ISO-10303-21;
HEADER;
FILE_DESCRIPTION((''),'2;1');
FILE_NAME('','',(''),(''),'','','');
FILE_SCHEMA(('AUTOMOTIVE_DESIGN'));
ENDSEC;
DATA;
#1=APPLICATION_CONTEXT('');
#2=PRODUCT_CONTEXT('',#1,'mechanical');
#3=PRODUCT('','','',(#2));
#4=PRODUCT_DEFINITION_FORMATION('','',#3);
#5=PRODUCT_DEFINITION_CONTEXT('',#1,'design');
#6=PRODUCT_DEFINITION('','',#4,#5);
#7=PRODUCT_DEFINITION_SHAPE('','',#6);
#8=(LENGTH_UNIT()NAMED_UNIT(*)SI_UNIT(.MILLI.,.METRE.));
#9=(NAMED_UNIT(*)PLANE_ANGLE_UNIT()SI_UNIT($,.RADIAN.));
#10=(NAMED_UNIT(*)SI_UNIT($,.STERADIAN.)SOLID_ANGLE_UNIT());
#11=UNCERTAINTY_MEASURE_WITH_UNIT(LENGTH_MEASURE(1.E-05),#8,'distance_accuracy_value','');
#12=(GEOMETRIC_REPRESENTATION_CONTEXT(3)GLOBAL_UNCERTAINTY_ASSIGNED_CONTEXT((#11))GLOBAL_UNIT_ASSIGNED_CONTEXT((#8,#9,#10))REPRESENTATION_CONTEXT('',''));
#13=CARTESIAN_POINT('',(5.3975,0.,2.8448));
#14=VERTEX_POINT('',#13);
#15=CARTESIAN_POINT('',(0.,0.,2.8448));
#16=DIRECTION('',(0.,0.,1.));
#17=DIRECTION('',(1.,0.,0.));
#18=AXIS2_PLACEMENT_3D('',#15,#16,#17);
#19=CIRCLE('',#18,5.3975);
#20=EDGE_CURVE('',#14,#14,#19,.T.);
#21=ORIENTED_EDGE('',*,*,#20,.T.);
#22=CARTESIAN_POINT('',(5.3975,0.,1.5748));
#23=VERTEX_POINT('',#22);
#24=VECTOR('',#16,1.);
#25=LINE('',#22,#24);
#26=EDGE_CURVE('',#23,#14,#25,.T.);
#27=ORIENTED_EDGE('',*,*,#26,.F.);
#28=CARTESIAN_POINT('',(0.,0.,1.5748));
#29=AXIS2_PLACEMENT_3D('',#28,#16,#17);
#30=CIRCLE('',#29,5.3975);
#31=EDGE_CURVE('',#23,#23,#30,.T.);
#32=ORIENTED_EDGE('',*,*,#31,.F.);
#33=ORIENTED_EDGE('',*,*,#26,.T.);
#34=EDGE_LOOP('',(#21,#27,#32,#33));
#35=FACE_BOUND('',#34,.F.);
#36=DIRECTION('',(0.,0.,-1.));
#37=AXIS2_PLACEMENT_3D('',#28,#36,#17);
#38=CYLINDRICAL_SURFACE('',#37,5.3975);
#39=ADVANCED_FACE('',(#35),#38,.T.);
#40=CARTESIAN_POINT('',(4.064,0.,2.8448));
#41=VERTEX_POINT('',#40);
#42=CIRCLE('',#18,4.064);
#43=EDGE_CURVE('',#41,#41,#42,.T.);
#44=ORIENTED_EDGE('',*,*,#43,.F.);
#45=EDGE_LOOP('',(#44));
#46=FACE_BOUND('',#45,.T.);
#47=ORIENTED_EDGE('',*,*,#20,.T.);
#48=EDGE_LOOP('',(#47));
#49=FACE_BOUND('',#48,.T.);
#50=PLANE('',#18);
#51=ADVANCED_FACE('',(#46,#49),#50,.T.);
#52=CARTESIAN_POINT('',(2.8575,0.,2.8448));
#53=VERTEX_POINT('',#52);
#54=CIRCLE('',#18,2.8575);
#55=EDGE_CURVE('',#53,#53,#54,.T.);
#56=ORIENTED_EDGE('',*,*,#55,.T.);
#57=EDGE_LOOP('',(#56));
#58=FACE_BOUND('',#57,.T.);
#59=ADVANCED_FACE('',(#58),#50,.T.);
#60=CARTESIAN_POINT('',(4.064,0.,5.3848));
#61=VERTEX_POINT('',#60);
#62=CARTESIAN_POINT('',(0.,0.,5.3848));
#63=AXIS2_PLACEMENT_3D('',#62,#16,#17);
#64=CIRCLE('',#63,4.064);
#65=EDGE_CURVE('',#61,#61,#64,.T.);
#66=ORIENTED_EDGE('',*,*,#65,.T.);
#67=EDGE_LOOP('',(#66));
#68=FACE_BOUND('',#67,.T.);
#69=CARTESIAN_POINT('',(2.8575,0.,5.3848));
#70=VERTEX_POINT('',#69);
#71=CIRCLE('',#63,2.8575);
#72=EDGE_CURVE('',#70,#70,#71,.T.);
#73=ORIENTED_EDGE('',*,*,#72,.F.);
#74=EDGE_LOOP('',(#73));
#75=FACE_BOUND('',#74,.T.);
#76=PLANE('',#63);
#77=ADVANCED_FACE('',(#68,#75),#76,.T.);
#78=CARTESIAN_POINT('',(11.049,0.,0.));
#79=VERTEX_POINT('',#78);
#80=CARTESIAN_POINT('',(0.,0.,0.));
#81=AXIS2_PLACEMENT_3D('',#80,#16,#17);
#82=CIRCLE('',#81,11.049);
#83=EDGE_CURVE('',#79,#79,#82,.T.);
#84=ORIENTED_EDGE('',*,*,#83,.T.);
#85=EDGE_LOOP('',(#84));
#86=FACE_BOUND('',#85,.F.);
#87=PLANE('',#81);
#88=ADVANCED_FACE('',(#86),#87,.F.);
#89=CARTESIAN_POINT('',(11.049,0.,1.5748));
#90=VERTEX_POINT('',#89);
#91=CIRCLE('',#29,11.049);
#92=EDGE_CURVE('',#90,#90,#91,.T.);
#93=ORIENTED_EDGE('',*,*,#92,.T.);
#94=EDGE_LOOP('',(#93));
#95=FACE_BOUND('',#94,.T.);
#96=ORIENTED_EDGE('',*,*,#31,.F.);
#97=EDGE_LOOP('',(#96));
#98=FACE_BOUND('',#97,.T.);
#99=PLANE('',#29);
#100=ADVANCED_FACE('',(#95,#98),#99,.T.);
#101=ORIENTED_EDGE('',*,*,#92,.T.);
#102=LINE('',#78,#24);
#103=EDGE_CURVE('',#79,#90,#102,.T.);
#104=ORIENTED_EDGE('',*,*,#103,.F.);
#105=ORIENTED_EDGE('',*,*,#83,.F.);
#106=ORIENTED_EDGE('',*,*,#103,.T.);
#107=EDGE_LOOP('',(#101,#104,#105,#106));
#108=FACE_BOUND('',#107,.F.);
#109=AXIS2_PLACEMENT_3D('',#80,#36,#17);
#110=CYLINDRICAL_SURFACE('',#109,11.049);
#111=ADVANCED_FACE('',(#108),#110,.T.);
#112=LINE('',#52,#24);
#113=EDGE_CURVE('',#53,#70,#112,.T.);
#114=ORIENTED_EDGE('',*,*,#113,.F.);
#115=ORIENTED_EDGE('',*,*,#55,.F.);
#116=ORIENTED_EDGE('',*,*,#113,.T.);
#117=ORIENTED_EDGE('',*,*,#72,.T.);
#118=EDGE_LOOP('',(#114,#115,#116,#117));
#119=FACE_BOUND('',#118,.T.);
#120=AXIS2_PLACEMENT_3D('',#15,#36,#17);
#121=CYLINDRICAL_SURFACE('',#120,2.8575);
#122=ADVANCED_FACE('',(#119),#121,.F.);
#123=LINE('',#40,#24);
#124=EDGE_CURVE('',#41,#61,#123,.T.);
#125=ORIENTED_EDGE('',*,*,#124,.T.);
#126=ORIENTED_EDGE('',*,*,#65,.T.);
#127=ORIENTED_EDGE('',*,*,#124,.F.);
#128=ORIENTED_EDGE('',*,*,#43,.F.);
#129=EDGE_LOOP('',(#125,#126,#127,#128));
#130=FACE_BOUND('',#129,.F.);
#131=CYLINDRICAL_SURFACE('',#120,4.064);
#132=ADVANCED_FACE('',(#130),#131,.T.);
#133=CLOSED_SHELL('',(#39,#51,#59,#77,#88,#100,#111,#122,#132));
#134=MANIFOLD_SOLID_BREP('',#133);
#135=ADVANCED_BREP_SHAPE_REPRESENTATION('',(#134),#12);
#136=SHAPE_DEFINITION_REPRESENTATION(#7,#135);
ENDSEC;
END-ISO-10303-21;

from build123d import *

# Parameters (mm, degrees)
F0_R     = 11.049
F1_DEPTH = 1.5748
F2_R     = 5.3975
F3_DEPTH = 1.27
F4_R     = 4.064
F4_R_2   = 2.8575
F5_DEPTH = 2.54


with BuildPart() as f1:
    # F0 (on Top) → F1 (new body)
    with BuildSketch(Plane.XY):
        Circle(F0_R)
    extrude(amount=F1_DEPTH)

    # F2 (on face) → F3 (join)
    with BuildSketch(Plane.XY.offset(1.5748)):
        Circle(F2_R)
    extrude(amount=F3_DEPTH)

    # F4 (on face) → F5 (join)
    with BuildSketch(Plane.XY.offset(2.8448)):
        Circle(F4_R)
        Circle(F4_R_2, mode=Mode.SUBTRACT)
    extrude(amount=F5_DEPTH)


solid = f1.part
